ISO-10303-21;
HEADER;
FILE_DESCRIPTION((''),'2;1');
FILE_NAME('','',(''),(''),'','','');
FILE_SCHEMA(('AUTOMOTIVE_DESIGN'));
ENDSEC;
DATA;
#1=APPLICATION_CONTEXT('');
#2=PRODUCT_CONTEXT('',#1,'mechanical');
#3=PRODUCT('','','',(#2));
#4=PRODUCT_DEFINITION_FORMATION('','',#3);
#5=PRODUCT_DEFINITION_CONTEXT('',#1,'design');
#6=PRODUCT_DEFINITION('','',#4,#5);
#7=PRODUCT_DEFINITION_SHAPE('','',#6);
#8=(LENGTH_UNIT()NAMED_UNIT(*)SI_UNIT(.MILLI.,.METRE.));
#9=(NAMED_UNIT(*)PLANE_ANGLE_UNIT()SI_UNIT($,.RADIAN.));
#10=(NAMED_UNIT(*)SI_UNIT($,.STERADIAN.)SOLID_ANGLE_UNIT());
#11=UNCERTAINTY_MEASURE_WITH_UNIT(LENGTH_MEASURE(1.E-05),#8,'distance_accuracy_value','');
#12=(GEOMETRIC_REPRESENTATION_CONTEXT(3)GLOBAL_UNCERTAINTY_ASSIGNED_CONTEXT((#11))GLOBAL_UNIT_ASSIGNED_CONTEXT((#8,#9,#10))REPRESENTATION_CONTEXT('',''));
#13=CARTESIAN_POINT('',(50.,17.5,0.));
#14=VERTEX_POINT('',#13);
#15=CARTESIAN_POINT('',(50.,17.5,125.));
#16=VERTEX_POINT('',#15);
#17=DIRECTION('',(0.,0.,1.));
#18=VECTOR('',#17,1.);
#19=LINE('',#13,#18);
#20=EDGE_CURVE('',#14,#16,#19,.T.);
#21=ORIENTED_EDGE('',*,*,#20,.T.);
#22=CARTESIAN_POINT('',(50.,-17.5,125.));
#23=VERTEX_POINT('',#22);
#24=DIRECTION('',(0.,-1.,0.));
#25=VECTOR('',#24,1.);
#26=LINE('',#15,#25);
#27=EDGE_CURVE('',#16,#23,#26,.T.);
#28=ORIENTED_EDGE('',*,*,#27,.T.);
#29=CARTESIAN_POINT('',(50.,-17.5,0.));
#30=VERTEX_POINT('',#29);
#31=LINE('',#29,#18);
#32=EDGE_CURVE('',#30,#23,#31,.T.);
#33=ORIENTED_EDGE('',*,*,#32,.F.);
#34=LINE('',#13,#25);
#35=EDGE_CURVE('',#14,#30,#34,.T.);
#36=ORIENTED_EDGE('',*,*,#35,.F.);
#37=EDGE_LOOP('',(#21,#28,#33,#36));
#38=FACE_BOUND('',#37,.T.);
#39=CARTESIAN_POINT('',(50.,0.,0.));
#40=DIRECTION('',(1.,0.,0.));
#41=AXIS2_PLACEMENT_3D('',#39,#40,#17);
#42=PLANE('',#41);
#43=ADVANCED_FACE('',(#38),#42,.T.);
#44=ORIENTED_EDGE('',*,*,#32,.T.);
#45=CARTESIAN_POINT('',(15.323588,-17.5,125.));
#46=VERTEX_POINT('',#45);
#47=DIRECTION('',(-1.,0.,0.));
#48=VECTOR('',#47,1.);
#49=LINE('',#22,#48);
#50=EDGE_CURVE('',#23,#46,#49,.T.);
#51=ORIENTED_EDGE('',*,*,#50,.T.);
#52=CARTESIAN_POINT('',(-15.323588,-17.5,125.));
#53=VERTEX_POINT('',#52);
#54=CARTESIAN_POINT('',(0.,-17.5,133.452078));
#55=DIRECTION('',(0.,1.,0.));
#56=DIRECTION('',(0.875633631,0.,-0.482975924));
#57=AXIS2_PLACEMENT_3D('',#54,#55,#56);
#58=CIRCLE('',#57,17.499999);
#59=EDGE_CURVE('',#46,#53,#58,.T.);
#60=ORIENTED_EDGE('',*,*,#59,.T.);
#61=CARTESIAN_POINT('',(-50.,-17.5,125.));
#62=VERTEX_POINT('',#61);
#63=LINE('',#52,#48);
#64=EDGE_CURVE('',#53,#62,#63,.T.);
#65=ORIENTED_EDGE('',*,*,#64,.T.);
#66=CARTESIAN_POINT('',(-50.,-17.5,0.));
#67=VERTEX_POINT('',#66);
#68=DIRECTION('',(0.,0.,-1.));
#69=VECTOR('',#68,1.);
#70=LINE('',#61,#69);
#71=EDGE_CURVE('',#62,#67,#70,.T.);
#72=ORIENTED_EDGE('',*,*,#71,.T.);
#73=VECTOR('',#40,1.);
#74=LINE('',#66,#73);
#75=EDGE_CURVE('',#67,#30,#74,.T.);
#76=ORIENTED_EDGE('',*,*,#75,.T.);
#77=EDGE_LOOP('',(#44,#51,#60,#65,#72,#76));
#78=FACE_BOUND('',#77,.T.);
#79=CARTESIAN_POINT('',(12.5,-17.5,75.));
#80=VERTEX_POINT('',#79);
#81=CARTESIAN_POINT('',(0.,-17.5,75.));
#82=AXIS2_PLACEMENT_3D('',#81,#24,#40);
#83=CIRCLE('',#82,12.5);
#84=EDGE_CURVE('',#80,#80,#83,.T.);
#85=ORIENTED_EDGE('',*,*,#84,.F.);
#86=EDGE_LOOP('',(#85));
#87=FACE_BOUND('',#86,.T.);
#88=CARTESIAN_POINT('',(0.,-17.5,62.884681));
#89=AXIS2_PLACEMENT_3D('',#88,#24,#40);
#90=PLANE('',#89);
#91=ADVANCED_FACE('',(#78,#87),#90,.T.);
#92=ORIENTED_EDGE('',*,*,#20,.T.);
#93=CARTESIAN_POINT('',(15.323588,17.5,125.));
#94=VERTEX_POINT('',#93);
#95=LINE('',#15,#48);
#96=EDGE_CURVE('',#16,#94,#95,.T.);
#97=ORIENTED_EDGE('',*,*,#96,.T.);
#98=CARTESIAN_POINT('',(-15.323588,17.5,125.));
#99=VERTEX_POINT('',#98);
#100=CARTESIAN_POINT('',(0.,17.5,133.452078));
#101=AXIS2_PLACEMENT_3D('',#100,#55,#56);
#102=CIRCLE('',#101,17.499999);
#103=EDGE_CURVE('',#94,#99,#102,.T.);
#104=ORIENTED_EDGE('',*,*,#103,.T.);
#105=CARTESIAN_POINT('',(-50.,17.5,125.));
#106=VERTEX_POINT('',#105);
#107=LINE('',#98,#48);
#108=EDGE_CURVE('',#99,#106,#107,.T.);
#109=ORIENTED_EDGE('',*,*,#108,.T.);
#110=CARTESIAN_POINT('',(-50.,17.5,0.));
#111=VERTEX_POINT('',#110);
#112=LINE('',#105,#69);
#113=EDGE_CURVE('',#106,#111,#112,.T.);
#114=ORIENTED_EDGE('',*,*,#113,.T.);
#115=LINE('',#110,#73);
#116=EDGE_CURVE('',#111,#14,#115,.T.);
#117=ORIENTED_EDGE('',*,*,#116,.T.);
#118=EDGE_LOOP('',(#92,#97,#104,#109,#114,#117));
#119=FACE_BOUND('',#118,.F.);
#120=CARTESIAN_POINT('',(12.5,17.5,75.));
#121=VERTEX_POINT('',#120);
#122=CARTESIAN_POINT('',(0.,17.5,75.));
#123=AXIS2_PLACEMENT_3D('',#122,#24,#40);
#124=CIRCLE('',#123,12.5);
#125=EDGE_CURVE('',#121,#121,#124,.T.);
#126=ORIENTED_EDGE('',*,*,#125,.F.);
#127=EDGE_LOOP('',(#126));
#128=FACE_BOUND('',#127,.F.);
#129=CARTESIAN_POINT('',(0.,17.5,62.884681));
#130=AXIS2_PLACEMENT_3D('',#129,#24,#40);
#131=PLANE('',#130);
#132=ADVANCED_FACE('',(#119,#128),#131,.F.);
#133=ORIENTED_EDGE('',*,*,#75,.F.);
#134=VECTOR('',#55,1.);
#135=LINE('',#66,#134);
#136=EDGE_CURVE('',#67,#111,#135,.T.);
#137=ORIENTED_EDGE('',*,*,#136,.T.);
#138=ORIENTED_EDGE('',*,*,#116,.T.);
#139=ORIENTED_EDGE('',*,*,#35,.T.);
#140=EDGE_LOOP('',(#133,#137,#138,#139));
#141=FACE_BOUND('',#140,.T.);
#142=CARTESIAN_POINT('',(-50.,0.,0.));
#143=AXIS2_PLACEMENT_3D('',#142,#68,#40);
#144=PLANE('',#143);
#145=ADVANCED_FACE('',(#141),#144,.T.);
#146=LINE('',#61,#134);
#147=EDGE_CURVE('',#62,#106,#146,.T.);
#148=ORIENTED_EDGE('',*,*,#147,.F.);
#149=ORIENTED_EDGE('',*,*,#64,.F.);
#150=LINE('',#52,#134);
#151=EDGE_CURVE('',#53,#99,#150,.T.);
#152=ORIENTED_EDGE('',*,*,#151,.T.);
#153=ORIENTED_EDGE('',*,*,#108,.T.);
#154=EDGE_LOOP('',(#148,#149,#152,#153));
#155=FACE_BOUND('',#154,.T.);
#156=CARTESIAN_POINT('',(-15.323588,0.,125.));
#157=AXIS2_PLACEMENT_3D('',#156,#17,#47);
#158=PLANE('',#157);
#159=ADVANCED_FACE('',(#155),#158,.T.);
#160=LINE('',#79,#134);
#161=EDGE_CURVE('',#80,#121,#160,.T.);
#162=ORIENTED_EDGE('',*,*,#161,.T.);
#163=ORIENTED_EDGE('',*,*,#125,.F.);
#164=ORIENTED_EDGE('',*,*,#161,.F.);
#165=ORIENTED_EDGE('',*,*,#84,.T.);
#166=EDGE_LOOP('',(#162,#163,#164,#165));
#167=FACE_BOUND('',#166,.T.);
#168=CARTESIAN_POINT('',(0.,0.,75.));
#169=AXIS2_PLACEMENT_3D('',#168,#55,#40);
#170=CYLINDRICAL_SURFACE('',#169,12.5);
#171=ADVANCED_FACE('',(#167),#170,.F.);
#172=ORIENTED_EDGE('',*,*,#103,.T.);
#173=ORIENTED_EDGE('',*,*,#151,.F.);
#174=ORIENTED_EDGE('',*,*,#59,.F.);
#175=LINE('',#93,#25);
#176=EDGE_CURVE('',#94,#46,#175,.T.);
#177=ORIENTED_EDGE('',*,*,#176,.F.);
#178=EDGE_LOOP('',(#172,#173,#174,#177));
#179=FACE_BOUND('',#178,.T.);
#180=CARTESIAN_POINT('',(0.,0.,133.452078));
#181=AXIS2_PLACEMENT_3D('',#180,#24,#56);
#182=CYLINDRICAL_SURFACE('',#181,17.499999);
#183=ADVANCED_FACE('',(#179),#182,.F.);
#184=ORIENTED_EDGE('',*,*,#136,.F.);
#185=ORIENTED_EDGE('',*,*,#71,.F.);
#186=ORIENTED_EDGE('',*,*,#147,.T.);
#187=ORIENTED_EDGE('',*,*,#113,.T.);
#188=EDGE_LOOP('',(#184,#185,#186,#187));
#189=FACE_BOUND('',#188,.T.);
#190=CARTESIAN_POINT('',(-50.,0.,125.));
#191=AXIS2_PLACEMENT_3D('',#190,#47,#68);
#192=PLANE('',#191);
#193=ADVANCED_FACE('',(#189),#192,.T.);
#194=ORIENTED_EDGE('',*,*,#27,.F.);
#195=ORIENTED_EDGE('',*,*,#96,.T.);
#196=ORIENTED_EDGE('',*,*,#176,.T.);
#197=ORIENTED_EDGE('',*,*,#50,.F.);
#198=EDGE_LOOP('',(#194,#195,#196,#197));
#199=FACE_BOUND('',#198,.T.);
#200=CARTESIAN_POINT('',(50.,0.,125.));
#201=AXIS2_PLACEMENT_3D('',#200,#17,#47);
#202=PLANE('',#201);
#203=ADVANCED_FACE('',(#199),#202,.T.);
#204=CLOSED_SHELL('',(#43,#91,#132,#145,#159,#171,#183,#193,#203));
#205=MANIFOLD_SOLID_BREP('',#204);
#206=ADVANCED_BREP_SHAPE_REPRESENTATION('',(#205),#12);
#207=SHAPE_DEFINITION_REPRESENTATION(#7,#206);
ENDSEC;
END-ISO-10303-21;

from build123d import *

# Parameters (mm, degrees)
F0_R     = 12.5
F1_DEPTH = 17.5


with BuildPart() as f1:
    # F0 (on Front) → F1 (new body, symmetric)
    with BuildSketch(Plane.XZ):
        with BuildLine():
            Line((-50, 0), (50, 0))
            Line((50, 0), (50, 125))
            Line((50, 125), (15.323588, 125))
            ThreePointArc((15.323588, 125), (0, 115.952079), (-15.323588, 125))
            Line((-15.323588, 125), (-50, 125))
            Line((-50, 125), (-50, 0))
        make_face()
        with Locations((0, 75)):
            Circle(F0_R, mode=Mode.SUBTRACT)
    extrude(amount=F1_DEPTH, both=True)


solid = f1.part
